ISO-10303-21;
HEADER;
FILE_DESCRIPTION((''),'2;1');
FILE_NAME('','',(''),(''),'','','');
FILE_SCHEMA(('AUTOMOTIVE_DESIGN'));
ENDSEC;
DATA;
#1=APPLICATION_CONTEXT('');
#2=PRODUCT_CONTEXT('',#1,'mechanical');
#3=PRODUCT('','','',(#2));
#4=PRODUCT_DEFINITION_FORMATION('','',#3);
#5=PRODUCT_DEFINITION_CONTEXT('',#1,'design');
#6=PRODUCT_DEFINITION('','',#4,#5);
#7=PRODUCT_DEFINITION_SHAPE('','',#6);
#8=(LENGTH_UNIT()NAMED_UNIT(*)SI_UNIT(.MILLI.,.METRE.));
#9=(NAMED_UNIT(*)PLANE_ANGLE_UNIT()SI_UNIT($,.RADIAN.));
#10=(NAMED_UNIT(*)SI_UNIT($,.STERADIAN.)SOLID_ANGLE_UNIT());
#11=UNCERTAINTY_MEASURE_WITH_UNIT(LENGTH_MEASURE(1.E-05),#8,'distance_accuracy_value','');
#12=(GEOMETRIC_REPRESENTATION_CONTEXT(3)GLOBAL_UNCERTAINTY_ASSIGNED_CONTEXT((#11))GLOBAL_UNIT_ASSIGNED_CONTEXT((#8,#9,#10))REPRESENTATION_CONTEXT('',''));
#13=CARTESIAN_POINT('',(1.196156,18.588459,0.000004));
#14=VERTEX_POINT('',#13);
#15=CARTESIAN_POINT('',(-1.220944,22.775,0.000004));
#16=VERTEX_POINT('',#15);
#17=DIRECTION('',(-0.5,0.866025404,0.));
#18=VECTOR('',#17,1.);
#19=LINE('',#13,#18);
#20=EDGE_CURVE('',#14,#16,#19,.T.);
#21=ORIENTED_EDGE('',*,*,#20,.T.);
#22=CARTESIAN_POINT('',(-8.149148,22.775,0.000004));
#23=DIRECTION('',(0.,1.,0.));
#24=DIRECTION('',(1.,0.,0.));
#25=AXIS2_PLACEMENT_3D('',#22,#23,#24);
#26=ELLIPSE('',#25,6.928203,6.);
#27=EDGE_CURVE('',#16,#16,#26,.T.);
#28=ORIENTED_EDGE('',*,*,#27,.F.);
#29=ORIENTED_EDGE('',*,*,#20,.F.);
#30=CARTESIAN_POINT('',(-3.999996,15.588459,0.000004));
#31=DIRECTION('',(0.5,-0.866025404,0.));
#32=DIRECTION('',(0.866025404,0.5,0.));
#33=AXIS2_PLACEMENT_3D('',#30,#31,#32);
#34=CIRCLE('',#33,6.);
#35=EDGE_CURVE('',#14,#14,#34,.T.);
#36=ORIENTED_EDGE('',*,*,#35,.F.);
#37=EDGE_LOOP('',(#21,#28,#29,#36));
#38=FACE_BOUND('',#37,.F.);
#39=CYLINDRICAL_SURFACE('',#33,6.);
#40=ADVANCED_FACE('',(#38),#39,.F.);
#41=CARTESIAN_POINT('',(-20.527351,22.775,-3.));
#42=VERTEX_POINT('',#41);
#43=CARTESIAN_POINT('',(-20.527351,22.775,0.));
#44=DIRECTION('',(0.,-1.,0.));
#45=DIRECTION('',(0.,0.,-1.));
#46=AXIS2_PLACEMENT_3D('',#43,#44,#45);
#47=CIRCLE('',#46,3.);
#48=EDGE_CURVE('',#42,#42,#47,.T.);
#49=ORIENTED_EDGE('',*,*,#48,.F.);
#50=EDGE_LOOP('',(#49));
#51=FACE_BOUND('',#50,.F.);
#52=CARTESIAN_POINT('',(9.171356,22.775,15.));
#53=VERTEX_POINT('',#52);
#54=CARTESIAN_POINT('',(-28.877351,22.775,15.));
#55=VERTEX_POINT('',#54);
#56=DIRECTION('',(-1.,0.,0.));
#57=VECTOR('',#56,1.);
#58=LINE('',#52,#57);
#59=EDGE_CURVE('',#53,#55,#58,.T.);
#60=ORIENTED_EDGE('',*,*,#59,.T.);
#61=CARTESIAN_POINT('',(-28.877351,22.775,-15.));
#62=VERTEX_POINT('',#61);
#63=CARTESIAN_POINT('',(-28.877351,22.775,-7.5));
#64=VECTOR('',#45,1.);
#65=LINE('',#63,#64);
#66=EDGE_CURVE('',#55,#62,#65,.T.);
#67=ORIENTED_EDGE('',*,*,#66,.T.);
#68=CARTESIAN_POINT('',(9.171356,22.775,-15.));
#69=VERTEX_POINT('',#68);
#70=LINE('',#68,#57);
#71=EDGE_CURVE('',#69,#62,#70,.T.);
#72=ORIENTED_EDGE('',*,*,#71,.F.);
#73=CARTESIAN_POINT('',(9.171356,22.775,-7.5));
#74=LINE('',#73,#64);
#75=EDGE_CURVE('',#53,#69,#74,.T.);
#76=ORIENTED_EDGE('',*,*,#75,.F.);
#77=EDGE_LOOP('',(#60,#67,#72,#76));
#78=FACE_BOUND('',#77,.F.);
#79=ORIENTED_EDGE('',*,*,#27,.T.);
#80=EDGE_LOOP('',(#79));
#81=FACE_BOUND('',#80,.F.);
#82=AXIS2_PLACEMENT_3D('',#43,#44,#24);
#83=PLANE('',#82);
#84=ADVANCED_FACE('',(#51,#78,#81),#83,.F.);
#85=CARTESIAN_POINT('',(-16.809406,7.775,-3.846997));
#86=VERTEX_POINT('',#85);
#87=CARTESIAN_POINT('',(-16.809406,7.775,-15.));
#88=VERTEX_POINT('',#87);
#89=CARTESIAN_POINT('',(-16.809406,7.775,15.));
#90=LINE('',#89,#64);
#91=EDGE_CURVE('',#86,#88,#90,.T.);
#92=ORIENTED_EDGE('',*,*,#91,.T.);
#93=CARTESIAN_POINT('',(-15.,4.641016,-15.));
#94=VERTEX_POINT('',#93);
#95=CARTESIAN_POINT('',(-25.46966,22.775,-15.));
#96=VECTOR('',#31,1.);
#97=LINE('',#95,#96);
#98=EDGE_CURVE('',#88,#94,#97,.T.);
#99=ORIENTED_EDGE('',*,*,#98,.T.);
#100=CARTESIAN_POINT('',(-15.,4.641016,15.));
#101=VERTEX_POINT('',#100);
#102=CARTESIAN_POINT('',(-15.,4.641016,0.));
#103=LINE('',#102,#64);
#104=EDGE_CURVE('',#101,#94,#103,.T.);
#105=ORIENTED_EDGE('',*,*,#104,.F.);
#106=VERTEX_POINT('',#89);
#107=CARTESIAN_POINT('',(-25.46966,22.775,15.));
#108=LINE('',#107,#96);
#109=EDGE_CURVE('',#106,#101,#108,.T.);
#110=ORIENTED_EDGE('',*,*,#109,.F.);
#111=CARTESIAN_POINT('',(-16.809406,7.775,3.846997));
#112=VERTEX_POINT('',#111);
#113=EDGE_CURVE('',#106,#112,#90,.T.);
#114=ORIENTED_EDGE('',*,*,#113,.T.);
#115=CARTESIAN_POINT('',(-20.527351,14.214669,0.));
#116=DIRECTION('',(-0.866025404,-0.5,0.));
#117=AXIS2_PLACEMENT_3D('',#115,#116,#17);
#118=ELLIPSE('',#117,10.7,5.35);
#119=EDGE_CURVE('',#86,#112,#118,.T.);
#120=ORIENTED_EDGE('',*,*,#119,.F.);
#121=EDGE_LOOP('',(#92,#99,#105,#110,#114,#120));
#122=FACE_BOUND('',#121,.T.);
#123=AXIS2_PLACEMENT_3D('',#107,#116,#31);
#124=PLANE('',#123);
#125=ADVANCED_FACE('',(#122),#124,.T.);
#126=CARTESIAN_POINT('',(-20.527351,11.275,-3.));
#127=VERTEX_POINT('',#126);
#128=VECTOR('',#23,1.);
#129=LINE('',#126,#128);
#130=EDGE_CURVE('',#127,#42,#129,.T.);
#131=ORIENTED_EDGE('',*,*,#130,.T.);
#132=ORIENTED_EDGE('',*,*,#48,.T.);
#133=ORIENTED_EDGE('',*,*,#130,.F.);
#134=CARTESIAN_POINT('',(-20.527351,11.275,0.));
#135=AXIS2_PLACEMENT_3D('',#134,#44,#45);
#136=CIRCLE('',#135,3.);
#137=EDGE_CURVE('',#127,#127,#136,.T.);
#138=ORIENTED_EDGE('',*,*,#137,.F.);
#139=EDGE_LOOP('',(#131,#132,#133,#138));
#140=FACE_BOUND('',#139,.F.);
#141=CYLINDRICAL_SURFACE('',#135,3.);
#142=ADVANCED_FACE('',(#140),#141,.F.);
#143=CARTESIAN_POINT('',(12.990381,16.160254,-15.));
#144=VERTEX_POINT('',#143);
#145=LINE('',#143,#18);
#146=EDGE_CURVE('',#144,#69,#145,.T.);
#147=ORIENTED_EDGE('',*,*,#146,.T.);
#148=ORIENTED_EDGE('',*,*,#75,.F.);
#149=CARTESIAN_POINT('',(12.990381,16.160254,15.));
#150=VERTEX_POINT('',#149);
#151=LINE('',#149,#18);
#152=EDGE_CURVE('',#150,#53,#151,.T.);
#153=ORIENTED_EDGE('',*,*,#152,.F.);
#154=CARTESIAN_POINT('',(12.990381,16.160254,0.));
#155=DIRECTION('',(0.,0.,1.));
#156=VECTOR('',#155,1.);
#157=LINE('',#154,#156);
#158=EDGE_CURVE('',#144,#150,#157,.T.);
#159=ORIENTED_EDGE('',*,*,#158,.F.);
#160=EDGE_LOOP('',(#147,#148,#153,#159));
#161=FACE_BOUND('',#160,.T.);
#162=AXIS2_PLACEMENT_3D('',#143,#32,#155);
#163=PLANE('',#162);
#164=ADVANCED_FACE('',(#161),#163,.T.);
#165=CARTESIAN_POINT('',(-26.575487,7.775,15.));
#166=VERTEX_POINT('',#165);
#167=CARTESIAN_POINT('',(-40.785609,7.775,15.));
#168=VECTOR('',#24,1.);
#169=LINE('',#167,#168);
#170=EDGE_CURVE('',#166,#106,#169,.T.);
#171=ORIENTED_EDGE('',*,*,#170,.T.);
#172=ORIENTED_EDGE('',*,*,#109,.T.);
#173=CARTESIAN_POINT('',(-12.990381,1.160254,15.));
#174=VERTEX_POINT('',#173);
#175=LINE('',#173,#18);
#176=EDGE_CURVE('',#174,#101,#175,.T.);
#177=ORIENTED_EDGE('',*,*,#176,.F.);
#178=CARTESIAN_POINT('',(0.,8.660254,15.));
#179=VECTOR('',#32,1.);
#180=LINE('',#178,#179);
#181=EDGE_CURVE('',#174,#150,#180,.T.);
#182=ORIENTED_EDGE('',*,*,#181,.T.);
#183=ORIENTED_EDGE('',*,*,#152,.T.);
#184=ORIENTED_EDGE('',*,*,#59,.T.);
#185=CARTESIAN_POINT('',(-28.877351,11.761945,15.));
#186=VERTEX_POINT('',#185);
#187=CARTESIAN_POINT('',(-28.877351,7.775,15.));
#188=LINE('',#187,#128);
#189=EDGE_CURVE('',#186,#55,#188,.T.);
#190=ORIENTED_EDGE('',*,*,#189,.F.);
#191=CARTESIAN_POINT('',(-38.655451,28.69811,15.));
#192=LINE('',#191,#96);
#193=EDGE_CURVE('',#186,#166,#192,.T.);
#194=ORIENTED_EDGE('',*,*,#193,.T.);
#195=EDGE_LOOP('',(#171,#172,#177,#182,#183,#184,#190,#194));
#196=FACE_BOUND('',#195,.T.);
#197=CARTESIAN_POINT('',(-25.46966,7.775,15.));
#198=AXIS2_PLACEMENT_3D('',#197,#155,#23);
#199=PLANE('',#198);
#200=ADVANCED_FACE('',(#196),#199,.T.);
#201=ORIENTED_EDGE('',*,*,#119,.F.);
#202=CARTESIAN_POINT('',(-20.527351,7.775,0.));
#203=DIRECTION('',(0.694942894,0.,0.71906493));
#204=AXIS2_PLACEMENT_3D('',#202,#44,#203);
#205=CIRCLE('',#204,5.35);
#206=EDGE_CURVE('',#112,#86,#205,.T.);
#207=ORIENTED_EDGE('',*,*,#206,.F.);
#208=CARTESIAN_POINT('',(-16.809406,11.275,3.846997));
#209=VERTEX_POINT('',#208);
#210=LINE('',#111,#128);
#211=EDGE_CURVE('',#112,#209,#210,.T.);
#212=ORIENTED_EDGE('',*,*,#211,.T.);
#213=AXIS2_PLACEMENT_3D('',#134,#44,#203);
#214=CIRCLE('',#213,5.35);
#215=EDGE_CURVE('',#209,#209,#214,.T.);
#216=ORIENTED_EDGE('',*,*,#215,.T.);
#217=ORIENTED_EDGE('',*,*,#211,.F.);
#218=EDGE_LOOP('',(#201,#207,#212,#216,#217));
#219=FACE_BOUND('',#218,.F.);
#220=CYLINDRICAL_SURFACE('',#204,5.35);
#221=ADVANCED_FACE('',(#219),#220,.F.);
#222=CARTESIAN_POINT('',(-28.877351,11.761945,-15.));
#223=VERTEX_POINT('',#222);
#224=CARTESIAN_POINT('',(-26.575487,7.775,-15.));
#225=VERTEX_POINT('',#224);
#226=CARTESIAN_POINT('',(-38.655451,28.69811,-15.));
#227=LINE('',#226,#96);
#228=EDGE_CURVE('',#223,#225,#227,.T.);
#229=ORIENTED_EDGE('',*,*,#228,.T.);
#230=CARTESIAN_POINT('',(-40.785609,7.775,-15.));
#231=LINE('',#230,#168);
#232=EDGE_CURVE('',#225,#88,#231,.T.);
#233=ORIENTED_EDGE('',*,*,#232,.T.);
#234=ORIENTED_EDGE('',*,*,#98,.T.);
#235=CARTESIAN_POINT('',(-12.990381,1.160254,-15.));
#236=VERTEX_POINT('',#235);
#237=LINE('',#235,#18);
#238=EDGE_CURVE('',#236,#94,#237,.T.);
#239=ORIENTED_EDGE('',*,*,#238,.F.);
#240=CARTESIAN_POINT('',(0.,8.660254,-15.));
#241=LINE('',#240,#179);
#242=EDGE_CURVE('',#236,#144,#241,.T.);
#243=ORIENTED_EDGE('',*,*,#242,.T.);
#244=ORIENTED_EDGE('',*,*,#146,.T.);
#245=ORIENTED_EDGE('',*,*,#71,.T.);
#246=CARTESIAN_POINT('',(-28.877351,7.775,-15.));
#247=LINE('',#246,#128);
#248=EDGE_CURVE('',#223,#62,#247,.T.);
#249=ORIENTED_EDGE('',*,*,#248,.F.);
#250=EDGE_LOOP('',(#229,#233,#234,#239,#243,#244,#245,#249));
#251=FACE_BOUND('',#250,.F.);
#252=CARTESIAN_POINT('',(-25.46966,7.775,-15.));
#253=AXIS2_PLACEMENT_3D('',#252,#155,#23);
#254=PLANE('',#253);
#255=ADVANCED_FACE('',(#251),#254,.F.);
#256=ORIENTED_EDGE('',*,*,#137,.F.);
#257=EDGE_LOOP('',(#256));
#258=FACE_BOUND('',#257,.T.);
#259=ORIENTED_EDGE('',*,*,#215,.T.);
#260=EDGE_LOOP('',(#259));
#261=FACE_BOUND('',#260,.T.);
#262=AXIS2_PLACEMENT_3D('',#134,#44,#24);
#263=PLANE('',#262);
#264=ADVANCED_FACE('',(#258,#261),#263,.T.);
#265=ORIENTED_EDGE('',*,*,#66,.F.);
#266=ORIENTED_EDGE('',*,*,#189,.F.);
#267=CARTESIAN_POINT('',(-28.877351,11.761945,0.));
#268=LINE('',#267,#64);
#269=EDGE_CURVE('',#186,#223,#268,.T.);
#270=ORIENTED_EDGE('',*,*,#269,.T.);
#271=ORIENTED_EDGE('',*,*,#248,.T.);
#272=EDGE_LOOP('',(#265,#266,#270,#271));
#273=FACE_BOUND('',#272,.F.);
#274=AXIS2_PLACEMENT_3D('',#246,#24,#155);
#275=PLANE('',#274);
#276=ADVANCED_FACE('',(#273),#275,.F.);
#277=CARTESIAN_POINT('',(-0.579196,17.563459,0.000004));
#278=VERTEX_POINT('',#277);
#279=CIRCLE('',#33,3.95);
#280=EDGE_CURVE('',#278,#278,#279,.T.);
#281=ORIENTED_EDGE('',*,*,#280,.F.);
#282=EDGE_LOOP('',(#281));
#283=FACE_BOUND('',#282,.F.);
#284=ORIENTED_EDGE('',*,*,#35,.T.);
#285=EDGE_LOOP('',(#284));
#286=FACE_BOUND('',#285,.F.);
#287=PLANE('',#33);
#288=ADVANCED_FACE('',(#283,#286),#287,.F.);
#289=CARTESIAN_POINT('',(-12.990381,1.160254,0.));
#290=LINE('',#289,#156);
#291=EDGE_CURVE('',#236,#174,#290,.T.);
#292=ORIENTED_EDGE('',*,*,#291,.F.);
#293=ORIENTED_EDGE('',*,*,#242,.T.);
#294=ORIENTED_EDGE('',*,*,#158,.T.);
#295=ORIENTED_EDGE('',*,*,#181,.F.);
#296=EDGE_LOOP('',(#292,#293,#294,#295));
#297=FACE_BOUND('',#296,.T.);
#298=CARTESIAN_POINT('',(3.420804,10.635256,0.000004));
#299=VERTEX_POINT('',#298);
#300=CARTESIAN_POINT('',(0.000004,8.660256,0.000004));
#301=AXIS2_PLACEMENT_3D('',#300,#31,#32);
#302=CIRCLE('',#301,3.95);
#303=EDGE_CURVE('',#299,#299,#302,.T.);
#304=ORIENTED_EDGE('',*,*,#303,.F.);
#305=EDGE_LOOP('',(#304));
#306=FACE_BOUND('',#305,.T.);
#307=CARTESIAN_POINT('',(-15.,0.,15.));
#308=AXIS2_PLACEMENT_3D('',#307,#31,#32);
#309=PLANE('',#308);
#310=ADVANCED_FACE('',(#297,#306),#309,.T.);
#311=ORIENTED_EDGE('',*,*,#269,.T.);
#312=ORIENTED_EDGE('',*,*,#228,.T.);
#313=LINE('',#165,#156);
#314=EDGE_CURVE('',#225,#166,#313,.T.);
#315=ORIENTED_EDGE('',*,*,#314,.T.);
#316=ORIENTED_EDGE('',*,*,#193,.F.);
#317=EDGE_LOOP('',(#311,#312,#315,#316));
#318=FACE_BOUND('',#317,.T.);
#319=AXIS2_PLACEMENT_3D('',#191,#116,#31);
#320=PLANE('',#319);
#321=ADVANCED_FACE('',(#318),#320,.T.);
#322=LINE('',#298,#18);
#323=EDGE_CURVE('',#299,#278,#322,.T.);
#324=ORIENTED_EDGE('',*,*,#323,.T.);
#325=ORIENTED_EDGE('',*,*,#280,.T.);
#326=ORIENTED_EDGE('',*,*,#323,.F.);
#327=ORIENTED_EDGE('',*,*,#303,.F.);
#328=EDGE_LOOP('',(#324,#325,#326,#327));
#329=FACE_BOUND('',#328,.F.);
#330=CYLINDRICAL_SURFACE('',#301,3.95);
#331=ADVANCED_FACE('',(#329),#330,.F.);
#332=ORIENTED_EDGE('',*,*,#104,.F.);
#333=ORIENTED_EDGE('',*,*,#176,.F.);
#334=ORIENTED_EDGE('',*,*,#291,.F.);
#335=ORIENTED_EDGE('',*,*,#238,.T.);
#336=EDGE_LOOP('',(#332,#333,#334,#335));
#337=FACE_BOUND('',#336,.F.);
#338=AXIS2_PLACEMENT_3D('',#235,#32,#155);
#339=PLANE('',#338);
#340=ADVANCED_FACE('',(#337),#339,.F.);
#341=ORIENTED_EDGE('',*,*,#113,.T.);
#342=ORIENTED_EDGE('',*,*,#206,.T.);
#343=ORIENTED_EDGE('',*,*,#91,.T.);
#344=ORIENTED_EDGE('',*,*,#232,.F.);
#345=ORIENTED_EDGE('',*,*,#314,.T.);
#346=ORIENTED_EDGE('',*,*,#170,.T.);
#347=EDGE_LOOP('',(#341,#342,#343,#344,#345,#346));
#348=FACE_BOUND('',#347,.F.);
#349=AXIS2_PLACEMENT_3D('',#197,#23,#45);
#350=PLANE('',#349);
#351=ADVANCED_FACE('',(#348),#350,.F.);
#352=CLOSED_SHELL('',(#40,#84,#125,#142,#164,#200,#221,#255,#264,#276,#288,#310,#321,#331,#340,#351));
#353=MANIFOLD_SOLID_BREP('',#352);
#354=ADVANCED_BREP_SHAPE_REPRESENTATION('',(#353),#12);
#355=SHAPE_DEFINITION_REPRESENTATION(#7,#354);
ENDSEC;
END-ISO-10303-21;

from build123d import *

# Parameters (mm, degrees)
ESBO_O1_W                  = 30
ESBO_O1_H                  = 30
RESSALTO_EXTRUS_O1_DEPTH   = 22.775
CORTE_EXTRUS_O1_DEPTH      = 41.542577927
ESBO_O3_OUTSIDE_W          = 48.998
ESBO_O3_OUTSIDE_H          = 41.63
ESBO_O3_OUTSIDE_W_2        = 30
ESBO_O3_OUTSIDE_H_2        = 30
CORTE_EXTRUS_O2_DEPTH      = 30.010251575
RESSALTO_EXTRUS_O2_DEPTH   = 30
ESBO_O5_R                  = 3.95
CORTE_EXTRUS_O3_DEPTH      = 32.012511133
CORTE_EXTRUS_O5_START      = -8
ESBO_O8_R                  = 6
CORTE_EXTRUS_O5_DEPTH      = 25
ESBO_O9_R                  = 3.95
CORTE_EXTRUS_O6_DEPTH      = 10
RESSALTO_EXTRUS_O3_DEPTH   = 15
ESBO_O11_W                 = 30
ESBO_O11_H                 = 15
RESSALTO_EXTRUS_O4_DEPTH   = 10
ESBO_O9_2_R                = 3.95
CORTE_EXTRUS_O7_DEPTH      = 30
ESBO_O12_R                 = 5.35
CORTE_EXTRUS_O8_DEPTH      = 10
CORTE_EXTRUS_O8_DEPTH_BACK = 3.5
ESBO_O13_W                 = 11.908257902
ESBO_O13_H                 = 30
CORTE_EXTRUS_O9_DEPTH      = 23.5
ESBO_O14_R                 = 3.95
ESBO_O14_R_2               = 3
RESSALTO_EXTRUS_O5_DEPTH   = 11.5
CORTE_EXTRUS_O10_DEPTH     = 30


with BuildPart() as part:
    # Esboço1 → Ressalto-extrusão1 (new body)
    with BuildSketch(Plane(origin=(0, 0, 0), x_dir=(1, 0, 0), z_dir=(0, 1, 0))):
        Rectangle(ESBO_O1_W, ESBO_O1_H)
    extrude(amount=RESSALTO_EXTRUS_O1_DEPTH)

    # Esboço2 → Corte-extrusão1 (cut, through all)
    with BuildSketch(Plane.XY.offset(15)):
        Polygon((-15, 0), (15, 17.320508076), (15, 0), align=None)
    extrude(amount=-CORTE_EXTRUS_O1_DEPTH, mode=Mode.SUBTRACT)

    # Esboço3 outside → Corte-extrusão2 (cut, through all)
    with BuildSketch(Plane(origin=(-3.75, 6.495190528, 0), x_dir=(0.8660254037844378, 0.5000000000000017, 0), z_dir=(0.5000000000000016, -0.8660254037844377, 0))):
        with Locations((5.694, 0)):
            Rectangle(ESBO_O3_OUTSIDE_W, ESBO_O3_OUTSIDE_H)
        with Locations((4.330127019, 0)):
            Rectangle(ESBO_O3_OUTSIDE_W_2, ESBO_O3_OUTSIDE_H_2, mode=Mode.SUBTRACT)
    extrude(amount=-CORTE_EXTRUS_O2_DEPTH, mode=Mode.SUBTRACT)

    # Esboço4 → Ressalto-extrusão2 (add)
    with BuildSketch(Plane.XY.offset(15)):
        Polygon((-25.469660456, 22.775), (-15, 4.641016151), (-15, 22.775), align=None)
    extrude(amount=-RESSALTO_EXTRUS_O2_DEPTH)

    # Esboço5 → Corte-extrusão3 (cut, through all)
    with BuildSketch(Plane(origin=(-3.75, 6.495190528, 0), x_dir=(-0.8660254037844379, -0.5000000000000013, 0), z_dir=(0.5000000000000013, -0.8660254037844379, 0))):
        with Locations(Location((-4.330131096, -4.077e-06, 0), (0, 0, 180))):
            Circle(ESBO_O5_R)
    extrude(amount=-CORTE_EXTRUS_O3_DEPTH, mode=Mode.SUBTRACT)

    # Esboço8 → Corte-extrusão5 (cut)
    with BuildSketch(Plane(origin=(-3.75, 6.495190528, 0), x_dir=(0.8660254037844379, 0.5000000000000013, 0), z_dir=(0.5000000000000013, -0.8660254037844379, 0)).offset(CORTE_EXTRUS_O5_START)):
        with Locations((4.330131096, 4.077e-06)):
            Circle(ESBO_O8_R)
    extrude(amount=-CORTE_EXTRUS_O5_DEPTH, mode=Mode.SUBTRACT)

    # Esboço9 → Corte-extrusão6 (cut)
    with BuildSketch(Plane(origin=(0, 22.775, 0), x_dir=(1, 0, 0), z_dir=(0, 1, 0))):
        with Locations(Location((-20.527350903, 0, 0), (0, 0, 270))):
            Circle(ESBO_O9_R)
    extrude(amount=-CORTE_EXTRUS_O6_DEPTH, mode=Mode.SUBTRACT)



with BuildPart() as body_2:
    # Esboço10 → Ressalto-extrusão3 (new body)
    with BuildSketch(Plane(origin=(0, 22.775, 0), x_dir=(1, 0, 0), z_dir=(0, 1, 0))):
        Polygon((-25.469660456, 15), (-40.785608805, 15), (-40.785608805, -15), (-25.469660456, -15), (-25.469660456, -3.937347933), (-25.469660456, 3.937339779), align=None)
    extrude(amount=-RESSALTO_EXTRUS_O3_DEPTH)


with BuildPart() as part_1:
    add(part.part)

    add(body_2.part)  # Ressalto-extrusão4 merges body 2
    # Esboço11 → Ressalto-extrusão4 (add)
    with BuildSketch(Plane(origin=(-25.469660456, 0, 0), x_dir=(0, 0, -1), z_dir=(1, 0, 0))):
        with Locations((0, 15.275)):
            Rectangle(ESBO_O11_W, ESBO_O11_H)
    extrude(amount=RESSALTO_EXTRUS_O4_DEPTH)

    # Esboço9<2> → Corte-extrusão7 (cut)
    with BuildSketch(Plane(origin=(0, 22.775, 0), x_dir=(1, 0, 0), z_dir=(0, 1, 0))):
        with Locations(Location((-20.527350903, 0, 0), (0, 0, 270))):
            Circle(ESBO_O9_2_R)
    extrude(amount=-CORTE_EXTRUS_O7_DEPTH, mode=Mode.SUBTRACT)

    # Esboço12 → Corte-extrusão8 (cut, two sides)
    with BuildSketch(Plane.XZ.offset(-7.775)) as corte_extrus_o8_sk:
        with Locations(Location((-20.527350903, 0, 0), (0, 0, 45.977333205))):
            Circle(ESBO_O12_R)
    extrude(amount=CORTE_EXTRUS_O8_DEPTH, mode=Mode.SUBTRACT)
    extrude(corte_extrus_o8_sk.sketch, amount=-CORTE_EXTRUS_O8_DEPTH_BACK, mode=Mode.SUBTRACT)

    # Esboço13 → Corte-extrusão9 (cut)
    with BuildSketch(Plane.XZ.offset(-7.775)):
        with Locations((-34.831479854, 0)):
            Rectangle(ESBO_O13_W, ESBO_O13_H)
    extrude(amount=-CORTE_EXTRUS_O9_DEPTH, mode=Mode.SUBTRACT)

    # Esboço14 → Ressalto-extrusão5 (add)
    with BuildSketch(Plane.XZ.offset(-11.275)):
        with Locations((-20.527350903, 0)):
            Circle(ESBO_O14_R)
        with Locations(Location((-20.527350903, 0, 0), (0, 0, 270))):
            Circle(ESBO_O14_R_2, mode=Mode.SUBTRACT)
    extrude(amount=-RESSALTO_EXTRUS_O5_DEPTH)

    # Esboço15 → Corte-extrusão10 (cut)
    with BuildSketch(Plane.XY.offset(15)):
        Polygon((-38.655450544, 28.698110147), (-22.922361913, 1.447601278), (-38.655450544, 1.447601278), align=None)
    extrude(amount=-CORTE_EXTRUS_O10_DEPTH, mode=Mode.SUBTRACT)


solid = part_1.part
